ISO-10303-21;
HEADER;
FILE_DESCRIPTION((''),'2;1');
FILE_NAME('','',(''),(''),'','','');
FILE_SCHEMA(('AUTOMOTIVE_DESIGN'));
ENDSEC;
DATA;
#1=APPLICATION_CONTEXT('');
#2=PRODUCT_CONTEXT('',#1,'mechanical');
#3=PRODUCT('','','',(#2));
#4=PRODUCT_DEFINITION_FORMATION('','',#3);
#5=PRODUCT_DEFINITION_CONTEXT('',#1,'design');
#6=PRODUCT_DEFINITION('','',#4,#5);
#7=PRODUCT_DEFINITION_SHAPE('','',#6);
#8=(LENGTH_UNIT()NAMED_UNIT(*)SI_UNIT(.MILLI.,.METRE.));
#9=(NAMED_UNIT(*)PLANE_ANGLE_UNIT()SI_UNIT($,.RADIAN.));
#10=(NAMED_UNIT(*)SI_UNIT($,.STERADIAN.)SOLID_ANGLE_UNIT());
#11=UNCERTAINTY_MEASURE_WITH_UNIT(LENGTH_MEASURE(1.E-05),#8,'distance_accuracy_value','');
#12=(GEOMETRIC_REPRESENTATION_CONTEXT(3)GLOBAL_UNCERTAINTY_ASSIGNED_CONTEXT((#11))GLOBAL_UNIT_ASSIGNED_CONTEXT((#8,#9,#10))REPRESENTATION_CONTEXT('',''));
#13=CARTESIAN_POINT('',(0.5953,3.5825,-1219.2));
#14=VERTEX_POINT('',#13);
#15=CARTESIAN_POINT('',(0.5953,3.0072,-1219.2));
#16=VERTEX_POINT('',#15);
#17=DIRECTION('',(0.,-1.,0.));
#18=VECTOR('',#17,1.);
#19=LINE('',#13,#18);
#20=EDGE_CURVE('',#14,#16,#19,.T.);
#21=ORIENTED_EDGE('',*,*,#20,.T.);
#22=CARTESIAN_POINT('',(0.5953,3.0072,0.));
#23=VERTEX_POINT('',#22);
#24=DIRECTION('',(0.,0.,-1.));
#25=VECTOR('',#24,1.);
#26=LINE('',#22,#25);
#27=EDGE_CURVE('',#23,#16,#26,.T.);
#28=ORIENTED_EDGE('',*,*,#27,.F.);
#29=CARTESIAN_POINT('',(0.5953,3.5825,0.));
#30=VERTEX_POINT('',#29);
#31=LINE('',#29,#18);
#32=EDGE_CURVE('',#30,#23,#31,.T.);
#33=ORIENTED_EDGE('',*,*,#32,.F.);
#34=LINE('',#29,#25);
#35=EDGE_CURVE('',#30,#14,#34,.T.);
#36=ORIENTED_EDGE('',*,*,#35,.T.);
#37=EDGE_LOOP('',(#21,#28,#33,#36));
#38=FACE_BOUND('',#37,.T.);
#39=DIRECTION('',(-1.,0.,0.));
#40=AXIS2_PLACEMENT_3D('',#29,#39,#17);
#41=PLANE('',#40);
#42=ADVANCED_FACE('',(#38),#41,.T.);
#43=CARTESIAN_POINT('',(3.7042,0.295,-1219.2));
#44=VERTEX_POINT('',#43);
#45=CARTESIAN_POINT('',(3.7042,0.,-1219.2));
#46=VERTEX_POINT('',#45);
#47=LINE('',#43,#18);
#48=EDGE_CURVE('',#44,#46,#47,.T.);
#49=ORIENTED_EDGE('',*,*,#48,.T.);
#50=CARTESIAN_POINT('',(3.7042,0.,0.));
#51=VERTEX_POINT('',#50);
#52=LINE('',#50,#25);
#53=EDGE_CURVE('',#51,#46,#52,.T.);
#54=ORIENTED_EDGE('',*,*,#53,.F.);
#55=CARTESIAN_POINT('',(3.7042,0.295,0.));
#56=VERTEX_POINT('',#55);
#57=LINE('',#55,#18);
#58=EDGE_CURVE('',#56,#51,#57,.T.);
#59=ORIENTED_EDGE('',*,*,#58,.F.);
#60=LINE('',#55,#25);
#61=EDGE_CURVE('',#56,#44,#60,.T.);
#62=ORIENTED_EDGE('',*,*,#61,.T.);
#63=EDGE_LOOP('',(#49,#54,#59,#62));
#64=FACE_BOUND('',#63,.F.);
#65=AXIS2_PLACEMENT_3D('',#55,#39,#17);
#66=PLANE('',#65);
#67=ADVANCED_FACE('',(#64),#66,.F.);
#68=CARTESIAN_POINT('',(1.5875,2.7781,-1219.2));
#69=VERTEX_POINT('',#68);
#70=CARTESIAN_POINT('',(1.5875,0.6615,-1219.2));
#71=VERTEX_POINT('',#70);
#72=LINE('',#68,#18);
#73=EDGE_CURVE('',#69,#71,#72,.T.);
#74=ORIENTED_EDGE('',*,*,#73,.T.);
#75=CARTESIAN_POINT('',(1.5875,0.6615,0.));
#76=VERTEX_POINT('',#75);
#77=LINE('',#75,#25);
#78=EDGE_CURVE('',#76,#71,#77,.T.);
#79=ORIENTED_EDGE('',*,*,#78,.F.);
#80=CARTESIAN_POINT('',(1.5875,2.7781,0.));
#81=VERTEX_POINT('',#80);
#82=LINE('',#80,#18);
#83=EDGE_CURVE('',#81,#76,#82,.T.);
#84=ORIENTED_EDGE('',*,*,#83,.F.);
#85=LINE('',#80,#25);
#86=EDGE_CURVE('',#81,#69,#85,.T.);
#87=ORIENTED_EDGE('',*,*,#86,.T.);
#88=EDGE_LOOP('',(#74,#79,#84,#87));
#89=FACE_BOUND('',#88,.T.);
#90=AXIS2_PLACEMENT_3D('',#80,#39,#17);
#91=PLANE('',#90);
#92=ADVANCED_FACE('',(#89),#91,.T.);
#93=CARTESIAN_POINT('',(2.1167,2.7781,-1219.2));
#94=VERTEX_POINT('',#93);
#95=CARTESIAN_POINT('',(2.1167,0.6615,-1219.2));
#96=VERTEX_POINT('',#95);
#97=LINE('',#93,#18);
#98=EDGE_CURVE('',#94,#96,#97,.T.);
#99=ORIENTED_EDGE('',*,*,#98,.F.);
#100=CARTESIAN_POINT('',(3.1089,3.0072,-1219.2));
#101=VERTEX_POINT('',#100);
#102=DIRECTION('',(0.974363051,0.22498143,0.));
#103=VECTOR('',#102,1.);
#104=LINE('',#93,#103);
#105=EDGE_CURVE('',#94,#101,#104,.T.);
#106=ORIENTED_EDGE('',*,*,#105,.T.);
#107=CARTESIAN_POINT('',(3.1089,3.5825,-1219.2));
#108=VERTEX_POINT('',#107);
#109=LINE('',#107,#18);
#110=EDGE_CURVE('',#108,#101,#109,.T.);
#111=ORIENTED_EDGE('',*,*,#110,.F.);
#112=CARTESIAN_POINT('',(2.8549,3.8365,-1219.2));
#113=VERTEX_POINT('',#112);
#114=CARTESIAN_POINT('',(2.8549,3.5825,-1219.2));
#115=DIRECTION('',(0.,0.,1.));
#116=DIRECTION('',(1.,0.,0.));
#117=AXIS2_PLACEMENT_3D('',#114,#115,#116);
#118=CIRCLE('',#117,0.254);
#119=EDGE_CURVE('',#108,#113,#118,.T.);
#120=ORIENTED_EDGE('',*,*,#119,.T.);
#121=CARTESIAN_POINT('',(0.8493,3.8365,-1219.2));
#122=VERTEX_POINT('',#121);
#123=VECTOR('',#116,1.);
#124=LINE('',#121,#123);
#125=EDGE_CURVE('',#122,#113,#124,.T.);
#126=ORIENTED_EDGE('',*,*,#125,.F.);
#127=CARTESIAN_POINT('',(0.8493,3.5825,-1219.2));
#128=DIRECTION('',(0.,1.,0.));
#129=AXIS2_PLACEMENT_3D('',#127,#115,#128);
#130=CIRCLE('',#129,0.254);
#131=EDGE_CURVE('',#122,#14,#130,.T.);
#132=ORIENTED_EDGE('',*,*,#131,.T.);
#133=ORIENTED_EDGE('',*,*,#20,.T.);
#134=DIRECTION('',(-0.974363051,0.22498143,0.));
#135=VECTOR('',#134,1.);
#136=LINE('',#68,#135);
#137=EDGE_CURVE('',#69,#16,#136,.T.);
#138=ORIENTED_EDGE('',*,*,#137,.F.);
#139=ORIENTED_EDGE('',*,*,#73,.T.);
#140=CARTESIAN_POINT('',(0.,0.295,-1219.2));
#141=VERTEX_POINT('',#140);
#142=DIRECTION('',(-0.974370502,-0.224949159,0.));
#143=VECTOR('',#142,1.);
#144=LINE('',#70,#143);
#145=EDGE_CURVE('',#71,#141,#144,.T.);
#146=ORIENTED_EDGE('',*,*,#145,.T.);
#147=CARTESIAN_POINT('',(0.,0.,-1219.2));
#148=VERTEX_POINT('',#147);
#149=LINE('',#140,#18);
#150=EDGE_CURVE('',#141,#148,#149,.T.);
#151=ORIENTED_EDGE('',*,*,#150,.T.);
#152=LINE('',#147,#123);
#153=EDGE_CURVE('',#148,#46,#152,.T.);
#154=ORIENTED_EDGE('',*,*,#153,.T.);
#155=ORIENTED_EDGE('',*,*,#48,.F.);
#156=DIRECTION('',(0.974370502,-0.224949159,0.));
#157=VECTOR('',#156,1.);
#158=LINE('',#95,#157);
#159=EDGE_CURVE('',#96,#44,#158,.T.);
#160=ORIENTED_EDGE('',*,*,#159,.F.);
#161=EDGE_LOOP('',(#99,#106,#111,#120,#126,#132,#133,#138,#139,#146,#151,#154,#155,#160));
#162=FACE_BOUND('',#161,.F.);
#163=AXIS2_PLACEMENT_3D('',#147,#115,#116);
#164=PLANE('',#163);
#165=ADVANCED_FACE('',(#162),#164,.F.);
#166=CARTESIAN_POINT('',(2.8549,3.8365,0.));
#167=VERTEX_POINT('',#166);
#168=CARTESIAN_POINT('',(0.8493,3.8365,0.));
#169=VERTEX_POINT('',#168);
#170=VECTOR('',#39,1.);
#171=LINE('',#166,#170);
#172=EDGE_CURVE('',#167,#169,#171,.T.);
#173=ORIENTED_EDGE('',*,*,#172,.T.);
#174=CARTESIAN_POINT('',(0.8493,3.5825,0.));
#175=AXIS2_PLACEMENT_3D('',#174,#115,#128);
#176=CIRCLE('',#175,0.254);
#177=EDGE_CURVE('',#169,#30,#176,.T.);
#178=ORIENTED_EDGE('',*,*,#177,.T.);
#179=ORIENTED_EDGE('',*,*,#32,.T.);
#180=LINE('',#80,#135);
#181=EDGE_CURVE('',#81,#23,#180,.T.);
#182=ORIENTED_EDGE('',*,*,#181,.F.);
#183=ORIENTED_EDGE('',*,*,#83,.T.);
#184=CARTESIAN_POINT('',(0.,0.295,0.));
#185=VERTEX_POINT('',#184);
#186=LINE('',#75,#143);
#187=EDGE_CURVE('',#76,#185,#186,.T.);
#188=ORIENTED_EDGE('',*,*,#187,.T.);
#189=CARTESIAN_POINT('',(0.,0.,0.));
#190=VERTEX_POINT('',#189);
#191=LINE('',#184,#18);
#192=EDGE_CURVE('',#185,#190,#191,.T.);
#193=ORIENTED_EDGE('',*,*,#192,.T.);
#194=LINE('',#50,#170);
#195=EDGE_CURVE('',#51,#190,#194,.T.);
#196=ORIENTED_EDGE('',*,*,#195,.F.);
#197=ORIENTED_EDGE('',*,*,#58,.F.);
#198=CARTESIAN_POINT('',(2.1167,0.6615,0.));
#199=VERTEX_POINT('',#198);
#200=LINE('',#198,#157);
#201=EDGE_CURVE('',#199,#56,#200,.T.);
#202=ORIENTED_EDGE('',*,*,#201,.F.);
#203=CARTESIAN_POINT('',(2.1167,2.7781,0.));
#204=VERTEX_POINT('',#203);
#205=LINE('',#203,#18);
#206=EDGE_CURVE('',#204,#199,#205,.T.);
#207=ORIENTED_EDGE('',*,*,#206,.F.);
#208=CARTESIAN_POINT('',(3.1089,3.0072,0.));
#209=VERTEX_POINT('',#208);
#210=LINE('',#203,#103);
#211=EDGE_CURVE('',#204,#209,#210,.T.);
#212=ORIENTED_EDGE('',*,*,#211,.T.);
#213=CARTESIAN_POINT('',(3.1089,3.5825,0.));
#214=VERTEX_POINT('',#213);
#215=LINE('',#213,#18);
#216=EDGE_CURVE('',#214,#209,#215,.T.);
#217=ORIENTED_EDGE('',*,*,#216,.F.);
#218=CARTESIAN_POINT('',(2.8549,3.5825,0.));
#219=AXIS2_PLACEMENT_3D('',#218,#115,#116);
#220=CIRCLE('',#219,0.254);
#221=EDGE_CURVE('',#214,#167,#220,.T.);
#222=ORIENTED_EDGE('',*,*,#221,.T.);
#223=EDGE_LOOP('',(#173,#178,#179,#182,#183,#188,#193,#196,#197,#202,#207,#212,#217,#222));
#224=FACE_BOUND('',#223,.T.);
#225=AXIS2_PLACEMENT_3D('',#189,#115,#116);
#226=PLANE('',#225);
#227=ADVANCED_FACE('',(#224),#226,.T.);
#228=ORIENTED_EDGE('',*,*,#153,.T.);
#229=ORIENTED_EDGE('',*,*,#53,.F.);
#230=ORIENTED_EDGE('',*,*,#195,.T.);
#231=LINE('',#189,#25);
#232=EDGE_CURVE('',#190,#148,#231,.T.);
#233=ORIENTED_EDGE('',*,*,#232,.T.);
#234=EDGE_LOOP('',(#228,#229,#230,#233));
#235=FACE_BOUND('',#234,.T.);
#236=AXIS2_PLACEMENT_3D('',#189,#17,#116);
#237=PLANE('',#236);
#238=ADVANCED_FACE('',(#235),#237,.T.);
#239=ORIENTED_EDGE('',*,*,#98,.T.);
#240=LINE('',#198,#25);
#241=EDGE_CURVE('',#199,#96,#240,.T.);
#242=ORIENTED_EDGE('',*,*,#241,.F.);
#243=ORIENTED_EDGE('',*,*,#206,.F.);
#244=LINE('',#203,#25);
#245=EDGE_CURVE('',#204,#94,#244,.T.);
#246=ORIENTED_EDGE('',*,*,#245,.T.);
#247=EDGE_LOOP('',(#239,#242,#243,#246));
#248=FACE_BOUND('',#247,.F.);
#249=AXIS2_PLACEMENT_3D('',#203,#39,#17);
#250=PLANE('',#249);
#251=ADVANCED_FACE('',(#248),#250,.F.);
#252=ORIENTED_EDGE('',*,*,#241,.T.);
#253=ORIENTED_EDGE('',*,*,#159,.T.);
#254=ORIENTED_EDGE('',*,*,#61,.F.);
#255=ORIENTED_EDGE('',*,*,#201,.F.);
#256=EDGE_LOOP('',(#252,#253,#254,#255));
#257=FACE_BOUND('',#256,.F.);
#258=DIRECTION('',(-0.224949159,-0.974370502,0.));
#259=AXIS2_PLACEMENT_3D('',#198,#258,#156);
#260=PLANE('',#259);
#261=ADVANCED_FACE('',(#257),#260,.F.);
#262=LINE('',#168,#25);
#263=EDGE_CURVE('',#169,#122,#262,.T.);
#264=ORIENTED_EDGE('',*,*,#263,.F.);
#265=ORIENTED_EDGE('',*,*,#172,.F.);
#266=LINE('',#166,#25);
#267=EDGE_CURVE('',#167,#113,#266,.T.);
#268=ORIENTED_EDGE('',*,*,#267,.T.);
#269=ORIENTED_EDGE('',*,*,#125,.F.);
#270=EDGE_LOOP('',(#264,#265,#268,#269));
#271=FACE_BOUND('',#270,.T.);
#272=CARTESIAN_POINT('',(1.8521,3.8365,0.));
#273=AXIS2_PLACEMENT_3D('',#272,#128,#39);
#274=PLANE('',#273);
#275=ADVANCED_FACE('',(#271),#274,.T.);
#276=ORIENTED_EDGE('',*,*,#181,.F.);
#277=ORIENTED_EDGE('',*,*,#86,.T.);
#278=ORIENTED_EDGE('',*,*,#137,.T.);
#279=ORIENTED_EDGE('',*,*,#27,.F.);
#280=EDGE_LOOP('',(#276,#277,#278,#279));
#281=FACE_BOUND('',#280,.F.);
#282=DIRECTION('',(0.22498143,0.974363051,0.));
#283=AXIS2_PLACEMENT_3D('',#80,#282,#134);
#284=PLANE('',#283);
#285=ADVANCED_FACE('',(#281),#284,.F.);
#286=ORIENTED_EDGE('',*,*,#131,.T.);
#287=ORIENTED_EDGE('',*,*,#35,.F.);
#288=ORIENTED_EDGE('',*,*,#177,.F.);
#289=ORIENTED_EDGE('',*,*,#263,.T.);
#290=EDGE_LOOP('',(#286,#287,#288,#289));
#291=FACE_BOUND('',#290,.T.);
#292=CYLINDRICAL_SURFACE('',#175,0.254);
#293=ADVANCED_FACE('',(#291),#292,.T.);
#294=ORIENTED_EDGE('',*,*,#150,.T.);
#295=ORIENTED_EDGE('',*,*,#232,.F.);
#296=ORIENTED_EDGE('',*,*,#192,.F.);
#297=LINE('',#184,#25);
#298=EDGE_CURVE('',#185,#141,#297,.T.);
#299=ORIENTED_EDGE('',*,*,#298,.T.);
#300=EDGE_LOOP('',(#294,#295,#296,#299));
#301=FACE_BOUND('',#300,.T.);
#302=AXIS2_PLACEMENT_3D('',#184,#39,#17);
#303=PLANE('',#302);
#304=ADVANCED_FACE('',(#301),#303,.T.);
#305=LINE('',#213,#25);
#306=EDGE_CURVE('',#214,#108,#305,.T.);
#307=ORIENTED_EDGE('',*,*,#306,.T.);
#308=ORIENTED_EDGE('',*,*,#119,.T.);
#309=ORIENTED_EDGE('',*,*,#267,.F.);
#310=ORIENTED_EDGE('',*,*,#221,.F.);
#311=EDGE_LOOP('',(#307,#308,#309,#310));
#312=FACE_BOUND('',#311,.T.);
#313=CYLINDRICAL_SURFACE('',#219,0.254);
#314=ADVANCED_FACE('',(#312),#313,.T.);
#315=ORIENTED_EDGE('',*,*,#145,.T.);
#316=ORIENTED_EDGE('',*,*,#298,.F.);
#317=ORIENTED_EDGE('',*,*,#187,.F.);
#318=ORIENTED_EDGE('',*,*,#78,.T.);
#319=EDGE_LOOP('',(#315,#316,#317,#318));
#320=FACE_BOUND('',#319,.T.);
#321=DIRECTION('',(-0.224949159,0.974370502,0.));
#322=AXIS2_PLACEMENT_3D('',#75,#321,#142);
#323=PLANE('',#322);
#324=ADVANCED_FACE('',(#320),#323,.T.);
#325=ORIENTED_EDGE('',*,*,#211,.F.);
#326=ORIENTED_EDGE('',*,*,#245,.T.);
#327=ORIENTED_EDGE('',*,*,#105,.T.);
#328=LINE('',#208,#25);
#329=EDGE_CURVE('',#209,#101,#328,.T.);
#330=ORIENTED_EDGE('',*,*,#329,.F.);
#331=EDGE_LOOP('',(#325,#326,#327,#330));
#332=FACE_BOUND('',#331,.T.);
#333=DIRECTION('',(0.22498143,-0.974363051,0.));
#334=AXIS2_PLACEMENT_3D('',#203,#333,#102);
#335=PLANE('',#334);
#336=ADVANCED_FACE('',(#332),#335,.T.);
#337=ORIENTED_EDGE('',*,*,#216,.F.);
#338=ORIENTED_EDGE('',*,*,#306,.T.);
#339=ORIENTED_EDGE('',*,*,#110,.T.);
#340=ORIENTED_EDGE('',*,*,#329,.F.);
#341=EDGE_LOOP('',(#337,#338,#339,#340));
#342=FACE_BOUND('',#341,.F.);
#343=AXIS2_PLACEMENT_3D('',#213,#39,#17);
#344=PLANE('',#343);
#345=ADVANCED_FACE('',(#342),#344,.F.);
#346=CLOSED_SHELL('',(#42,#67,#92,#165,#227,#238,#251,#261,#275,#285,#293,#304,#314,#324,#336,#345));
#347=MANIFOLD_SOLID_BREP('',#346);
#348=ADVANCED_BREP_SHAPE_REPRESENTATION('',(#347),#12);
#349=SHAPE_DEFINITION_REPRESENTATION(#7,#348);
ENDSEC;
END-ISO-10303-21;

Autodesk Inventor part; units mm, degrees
ref_plane "YZ Plane" through (0, 0, 0) normal (1, 0, 0) x (0, 1, 0)
ref_plane "XZ Plane" through (0, 0, 0) normal (0, 1, 0) x (-1, 0, 0)
ref_plane "XY Plane" through (0, 0, 0) normal (0, 0, 1) x (1, 0, 0)
sketch "Sketch1" plane through (0, 0, 0) normal (0, 0, 1) x (1, 0, 0)
  line L0 (0, 0) -> (3.7042, 0)
  line L1 (1.8521, 0) -> (1.8521, 0.6615)
  line L2 (1.8521, 0.6615) -> (2.1167, 0.6615)
  line L3 (2.1167, 0.6615) -> (3.7042, 0.295)
  line L4 (3.7042, 0.295) -> (3.7042, 0)
  line L5 (1.8521, 0.6615) -> (1.8521, 2.7781)
  line L6 (1.8521, 2.7781) -> (2.1167, 2.7781)
  line L7 (2.1167, 2.7781) -> (2.1167, 0.6615)
  line L8 (1.8521, 2.7781) -> (1.8521, 3.8365)
  line L9 (1.8521, 3.8365) -> (2.8549, 3.8365)
  line L10 (2.1167, 2.7781) -> (3.1089, 3.0072)
  line L11 (2.1167, 2.7781) -> (3.135, 2.7781) construction
  line L12 (3.1089, 3.5825) -> (3.1089, 3.0072)
  arc A0 (3.1089, 3.5825) -> (2.8549, 3.8365) centre (2.8549, 3.5825) ccw
  line L13 (3.7042, 0) -> (0, 0)
  line L14 (1.8521, 0.6615) -> (1.5875, 0.6615)
  line L15 (1.5875, 0.6615) -> (0, 0.295)
  line L16 (0, 0.295) -> (0, 0)
  line L17 (1.8521, 2.7781) -> (1.5875, 2.7781)
  line L18 (1.5875, 2.7781) -> (1.5875, 0.6615)
  line L19 (1.8521, 3.8365) -> (0.8493, 3.8365)
  line L20 (1.5875, 2.7781) -> (0.5953, 3.0072)
  line L21 (1.5875, 2.7781) -> (0.5692, 2.7781) construction
  line L22 (0.5953, 3.5825) -> (0.5953, 3.0072)
  arc A1 (0.8493, 3.8365) -> (0.5953, 3.5825) centre (0.8493, 3.5825) ccw
  dimension "d3" = 0.6615
  dimension "d4" = 0.2646
  dimension "d5" = 167
  dimension "d6" = 2.1167
  dimension "d7" = 1.0583
  dimension "d9" = 13
  dimension "d10" = 0.254
extrude "Extrusion1" add sketch "Sketch1" against normal blind 1219.2
properties part number "Rail48in"
